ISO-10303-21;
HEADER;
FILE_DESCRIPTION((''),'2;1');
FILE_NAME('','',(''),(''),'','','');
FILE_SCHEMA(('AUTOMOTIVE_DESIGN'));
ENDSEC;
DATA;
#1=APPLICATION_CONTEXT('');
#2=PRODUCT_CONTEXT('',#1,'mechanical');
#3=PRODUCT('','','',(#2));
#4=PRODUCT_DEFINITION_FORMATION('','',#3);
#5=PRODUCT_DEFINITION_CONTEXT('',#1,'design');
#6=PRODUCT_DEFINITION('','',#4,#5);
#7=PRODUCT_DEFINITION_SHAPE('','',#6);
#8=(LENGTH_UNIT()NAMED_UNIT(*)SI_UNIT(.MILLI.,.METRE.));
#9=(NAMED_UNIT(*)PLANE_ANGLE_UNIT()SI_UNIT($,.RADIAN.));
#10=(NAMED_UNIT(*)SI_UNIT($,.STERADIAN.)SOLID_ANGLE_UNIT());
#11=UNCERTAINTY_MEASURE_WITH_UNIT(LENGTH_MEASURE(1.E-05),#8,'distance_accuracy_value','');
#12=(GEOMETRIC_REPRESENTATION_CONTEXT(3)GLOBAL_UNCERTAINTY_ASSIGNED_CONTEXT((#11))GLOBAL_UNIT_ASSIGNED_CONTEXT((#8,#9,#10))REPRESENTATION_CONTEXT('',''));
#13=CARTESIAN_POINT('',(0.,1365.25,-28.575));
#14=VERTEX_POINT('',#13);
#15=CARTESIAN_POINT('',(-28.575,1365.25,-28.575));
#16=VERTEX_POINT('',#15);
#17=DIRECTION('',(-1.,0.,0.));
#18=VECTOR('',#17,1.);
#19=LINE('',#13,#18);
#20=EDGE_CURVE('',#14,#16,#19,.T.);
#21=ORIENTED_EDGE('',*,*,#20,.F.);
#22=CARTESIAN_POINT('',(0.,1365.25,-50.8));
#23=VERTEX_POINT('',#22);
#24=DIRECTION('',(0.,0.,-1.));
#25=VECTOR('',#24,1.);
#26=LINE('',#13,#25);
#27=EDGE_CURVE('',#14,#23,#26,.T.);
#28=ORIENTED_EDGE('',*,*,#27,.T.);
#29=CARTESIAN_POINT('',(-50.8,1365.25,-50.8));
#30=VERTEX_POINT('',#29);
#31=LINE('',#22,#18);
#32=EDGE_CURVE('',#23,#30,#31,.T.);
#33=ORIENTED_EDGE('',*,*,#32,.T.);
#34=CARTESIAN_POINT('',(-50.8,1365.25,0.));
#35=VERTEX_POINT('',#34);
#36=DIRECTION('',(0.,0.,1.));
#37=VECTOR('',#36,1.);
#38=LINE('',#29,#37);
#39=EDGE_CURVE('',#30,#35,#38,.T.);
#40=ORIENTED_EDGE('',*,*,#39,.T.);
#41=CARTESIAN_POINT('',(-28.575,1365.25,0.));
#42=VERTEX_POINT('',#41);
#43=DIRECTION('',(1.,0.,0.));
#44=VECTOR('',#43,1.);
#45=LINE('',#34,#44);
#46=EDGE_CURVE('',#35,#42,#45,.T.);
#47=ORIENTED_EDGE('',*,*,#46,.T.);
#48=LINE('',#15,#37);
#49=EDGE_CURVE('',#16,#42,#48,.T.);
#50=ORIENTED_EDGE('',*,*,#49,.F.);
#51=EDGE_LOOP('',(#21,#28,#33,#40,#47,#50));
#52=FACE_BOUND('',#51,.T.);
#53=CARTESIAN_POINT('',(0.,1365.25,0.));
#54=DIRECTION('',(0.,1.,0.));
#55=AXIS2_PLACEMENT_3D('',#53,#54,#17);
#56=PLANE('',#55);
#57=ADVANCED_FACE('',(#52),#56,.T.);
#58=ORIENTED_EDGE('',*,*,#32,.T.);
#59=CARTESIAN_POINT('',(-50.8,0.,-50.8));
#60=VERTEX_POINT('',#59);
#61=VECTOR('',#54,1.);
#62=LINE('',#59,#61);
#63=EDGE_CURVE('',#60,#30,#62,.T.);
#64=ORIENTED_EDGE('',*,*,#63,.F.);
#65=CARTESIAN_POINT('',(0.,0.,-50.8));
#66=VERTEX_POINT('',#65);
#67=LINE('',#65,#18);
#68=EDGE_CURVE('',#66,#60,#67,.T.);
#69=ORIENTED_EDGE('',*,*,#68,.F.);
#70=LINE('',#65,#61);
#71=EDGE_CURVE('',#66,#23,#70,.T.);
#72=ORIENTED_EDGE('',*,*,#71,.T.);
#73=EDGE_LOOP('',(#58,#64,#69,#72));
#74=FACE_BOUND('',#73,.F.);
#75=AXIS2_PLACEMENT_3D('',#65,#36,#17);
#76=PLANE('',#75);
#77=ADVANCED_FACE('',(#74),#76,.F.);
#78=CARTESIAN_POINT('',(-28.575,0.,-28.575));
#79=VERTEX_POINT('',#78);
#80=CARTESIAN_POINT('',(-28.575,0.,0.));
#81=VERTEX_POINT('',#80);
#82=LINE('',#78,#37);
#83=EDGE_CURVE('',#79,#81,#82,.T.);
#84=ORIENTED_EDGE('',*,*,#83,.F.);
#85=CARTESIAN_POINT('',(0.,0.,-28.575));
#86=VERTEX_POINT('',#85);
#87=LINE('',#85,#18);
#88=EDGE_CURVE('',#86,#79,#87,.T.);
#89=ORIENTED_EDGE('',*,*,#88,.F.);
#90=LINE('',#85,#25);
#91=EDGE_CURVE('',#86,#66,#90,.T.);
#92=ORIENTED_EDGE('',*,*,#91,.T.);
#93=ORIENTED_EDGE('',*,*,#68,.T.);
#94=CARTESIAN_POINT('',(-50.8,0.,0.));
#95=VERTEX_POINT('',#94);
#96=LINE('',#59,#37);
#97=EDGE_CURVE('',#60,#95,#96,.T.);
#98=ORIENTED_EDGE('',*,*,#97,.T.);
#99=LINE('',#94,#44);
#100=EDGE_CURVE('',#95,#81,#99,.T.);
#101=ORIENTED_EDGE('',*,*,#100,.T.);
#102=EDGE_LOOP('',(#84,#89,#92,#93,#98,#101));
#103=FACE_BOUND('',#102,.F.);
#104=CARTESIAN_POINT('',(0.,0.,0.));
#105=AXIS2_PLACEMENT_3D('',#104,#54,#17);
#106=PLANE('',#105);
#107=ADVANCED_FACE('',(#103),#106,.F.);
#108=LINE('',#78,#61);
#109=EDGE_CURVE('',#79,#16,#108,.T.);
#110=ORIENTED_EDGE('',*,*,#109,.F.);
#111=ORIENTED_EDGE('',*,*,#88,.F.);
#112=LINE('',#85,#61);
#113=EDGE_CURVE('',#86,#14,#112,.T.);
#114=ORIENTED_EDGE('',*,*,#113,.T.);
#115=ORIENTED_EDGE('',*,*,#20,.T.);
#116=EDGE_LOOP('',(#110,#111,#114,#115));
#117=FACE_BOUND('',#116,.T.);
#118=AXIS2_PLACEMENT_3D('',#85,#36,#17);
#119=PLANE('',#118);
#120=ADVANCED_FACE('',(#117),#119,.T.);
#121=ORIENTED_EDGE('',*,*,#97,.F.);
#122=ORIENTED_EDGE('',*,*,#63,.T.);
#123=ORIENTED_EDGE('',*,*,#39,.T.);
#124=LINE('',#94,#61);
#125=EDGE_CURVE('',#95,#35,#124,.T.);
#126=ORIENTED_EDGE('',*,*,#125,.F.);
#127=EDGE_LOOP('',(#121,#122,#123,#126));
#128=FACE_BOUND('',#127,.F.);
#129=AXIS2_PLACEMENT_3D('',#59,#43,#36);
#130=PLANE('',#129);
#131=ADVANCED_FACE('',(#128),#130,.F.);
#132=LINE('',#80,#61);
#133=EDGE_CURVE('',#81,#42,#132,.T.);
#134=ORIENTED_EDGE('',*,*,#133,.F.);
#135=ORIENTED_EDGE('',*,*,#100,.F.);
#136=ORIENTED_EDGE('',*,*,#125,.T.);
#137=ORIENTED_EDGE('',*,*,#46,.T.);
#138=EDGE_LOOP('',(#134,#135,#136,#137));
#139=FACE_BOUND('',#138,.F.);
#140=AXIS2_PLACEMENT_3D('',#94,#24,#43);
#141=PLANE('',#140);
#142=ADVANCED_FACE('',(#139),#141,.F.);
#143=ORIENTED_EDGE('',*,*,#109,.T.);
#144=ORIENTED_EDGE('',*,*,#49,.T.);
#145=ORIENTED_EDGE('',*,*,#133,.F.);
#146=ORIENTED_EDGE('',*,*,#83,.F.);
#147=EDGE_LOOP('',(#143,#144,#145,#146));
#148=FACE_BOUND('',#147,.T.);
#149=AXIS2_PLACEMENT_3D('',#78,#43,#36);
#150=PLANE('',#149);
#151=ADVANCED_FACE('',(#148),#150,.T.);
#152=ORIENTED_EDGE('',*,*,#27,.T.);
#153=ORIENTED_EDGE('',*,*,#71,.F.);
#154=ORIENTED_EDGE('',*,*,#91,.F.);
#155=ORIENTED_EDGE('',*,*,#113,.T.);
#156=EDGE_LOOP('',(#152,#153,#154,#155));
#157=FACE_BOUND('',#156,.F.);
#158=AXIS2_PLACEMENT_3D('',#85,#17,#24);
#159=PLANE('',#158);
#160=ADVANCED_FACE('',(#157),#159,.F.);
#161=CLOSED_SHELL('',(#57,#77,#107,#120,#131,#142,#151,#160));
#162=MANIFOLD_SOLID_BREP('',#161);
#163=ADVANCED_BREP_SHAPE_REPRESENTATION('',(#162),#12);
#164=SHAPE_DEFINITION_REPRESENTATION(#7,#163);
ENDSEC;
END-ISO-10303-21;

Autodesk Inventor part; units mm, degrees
ref_plane "YZ Plane" through (0, 0, 0) normal (1, 0, 0) x (0, 1, 0)
ref_plane "XZ Plane" through (0, 0, 0) normal (0, 1, 0) x (-1, 0, 0)
ref_plane "XY Plane" through (0, 0, 0) normal (0, 0, 1) x (1, 0, 0)
sketch "Sketch1" plane through (0, 0, 0) normal (0, 1, 0) x (-1, 0, 0)
  line L0 (0, -50.8) -> (50.8, -50.8)
  line L1 (50.8, -50.8) -> (50.8, 0)
  line L2 (-50.8, 50.8) -> (50.8, -50.8) construction
  line L3 (-50.8, -50.8) -> (50.8, 50.8) construction
  line L4 (0, -28.575) -> (28.575, -28.575)
  line L5 (28.575, -28.575) -> (28.575, 0)
  line L6 (-28.575, 28.575) -> (28.575, -28.575) construction
  line L7 (-28.575, -28.575) -> (28.575, 28.575) construction
  line L8 (50.8, 0) -> (28.575, 0)
  line L9 (0, -28.575) -> (0, -50.8)
  point P0 (0, 0)
  dimension "d2" = 50.8
extrude "Extrusion1" add sketch "Sketch1" along normal blind 1365.25
properties part number "Molding 4 ft 5 3_4 in"
